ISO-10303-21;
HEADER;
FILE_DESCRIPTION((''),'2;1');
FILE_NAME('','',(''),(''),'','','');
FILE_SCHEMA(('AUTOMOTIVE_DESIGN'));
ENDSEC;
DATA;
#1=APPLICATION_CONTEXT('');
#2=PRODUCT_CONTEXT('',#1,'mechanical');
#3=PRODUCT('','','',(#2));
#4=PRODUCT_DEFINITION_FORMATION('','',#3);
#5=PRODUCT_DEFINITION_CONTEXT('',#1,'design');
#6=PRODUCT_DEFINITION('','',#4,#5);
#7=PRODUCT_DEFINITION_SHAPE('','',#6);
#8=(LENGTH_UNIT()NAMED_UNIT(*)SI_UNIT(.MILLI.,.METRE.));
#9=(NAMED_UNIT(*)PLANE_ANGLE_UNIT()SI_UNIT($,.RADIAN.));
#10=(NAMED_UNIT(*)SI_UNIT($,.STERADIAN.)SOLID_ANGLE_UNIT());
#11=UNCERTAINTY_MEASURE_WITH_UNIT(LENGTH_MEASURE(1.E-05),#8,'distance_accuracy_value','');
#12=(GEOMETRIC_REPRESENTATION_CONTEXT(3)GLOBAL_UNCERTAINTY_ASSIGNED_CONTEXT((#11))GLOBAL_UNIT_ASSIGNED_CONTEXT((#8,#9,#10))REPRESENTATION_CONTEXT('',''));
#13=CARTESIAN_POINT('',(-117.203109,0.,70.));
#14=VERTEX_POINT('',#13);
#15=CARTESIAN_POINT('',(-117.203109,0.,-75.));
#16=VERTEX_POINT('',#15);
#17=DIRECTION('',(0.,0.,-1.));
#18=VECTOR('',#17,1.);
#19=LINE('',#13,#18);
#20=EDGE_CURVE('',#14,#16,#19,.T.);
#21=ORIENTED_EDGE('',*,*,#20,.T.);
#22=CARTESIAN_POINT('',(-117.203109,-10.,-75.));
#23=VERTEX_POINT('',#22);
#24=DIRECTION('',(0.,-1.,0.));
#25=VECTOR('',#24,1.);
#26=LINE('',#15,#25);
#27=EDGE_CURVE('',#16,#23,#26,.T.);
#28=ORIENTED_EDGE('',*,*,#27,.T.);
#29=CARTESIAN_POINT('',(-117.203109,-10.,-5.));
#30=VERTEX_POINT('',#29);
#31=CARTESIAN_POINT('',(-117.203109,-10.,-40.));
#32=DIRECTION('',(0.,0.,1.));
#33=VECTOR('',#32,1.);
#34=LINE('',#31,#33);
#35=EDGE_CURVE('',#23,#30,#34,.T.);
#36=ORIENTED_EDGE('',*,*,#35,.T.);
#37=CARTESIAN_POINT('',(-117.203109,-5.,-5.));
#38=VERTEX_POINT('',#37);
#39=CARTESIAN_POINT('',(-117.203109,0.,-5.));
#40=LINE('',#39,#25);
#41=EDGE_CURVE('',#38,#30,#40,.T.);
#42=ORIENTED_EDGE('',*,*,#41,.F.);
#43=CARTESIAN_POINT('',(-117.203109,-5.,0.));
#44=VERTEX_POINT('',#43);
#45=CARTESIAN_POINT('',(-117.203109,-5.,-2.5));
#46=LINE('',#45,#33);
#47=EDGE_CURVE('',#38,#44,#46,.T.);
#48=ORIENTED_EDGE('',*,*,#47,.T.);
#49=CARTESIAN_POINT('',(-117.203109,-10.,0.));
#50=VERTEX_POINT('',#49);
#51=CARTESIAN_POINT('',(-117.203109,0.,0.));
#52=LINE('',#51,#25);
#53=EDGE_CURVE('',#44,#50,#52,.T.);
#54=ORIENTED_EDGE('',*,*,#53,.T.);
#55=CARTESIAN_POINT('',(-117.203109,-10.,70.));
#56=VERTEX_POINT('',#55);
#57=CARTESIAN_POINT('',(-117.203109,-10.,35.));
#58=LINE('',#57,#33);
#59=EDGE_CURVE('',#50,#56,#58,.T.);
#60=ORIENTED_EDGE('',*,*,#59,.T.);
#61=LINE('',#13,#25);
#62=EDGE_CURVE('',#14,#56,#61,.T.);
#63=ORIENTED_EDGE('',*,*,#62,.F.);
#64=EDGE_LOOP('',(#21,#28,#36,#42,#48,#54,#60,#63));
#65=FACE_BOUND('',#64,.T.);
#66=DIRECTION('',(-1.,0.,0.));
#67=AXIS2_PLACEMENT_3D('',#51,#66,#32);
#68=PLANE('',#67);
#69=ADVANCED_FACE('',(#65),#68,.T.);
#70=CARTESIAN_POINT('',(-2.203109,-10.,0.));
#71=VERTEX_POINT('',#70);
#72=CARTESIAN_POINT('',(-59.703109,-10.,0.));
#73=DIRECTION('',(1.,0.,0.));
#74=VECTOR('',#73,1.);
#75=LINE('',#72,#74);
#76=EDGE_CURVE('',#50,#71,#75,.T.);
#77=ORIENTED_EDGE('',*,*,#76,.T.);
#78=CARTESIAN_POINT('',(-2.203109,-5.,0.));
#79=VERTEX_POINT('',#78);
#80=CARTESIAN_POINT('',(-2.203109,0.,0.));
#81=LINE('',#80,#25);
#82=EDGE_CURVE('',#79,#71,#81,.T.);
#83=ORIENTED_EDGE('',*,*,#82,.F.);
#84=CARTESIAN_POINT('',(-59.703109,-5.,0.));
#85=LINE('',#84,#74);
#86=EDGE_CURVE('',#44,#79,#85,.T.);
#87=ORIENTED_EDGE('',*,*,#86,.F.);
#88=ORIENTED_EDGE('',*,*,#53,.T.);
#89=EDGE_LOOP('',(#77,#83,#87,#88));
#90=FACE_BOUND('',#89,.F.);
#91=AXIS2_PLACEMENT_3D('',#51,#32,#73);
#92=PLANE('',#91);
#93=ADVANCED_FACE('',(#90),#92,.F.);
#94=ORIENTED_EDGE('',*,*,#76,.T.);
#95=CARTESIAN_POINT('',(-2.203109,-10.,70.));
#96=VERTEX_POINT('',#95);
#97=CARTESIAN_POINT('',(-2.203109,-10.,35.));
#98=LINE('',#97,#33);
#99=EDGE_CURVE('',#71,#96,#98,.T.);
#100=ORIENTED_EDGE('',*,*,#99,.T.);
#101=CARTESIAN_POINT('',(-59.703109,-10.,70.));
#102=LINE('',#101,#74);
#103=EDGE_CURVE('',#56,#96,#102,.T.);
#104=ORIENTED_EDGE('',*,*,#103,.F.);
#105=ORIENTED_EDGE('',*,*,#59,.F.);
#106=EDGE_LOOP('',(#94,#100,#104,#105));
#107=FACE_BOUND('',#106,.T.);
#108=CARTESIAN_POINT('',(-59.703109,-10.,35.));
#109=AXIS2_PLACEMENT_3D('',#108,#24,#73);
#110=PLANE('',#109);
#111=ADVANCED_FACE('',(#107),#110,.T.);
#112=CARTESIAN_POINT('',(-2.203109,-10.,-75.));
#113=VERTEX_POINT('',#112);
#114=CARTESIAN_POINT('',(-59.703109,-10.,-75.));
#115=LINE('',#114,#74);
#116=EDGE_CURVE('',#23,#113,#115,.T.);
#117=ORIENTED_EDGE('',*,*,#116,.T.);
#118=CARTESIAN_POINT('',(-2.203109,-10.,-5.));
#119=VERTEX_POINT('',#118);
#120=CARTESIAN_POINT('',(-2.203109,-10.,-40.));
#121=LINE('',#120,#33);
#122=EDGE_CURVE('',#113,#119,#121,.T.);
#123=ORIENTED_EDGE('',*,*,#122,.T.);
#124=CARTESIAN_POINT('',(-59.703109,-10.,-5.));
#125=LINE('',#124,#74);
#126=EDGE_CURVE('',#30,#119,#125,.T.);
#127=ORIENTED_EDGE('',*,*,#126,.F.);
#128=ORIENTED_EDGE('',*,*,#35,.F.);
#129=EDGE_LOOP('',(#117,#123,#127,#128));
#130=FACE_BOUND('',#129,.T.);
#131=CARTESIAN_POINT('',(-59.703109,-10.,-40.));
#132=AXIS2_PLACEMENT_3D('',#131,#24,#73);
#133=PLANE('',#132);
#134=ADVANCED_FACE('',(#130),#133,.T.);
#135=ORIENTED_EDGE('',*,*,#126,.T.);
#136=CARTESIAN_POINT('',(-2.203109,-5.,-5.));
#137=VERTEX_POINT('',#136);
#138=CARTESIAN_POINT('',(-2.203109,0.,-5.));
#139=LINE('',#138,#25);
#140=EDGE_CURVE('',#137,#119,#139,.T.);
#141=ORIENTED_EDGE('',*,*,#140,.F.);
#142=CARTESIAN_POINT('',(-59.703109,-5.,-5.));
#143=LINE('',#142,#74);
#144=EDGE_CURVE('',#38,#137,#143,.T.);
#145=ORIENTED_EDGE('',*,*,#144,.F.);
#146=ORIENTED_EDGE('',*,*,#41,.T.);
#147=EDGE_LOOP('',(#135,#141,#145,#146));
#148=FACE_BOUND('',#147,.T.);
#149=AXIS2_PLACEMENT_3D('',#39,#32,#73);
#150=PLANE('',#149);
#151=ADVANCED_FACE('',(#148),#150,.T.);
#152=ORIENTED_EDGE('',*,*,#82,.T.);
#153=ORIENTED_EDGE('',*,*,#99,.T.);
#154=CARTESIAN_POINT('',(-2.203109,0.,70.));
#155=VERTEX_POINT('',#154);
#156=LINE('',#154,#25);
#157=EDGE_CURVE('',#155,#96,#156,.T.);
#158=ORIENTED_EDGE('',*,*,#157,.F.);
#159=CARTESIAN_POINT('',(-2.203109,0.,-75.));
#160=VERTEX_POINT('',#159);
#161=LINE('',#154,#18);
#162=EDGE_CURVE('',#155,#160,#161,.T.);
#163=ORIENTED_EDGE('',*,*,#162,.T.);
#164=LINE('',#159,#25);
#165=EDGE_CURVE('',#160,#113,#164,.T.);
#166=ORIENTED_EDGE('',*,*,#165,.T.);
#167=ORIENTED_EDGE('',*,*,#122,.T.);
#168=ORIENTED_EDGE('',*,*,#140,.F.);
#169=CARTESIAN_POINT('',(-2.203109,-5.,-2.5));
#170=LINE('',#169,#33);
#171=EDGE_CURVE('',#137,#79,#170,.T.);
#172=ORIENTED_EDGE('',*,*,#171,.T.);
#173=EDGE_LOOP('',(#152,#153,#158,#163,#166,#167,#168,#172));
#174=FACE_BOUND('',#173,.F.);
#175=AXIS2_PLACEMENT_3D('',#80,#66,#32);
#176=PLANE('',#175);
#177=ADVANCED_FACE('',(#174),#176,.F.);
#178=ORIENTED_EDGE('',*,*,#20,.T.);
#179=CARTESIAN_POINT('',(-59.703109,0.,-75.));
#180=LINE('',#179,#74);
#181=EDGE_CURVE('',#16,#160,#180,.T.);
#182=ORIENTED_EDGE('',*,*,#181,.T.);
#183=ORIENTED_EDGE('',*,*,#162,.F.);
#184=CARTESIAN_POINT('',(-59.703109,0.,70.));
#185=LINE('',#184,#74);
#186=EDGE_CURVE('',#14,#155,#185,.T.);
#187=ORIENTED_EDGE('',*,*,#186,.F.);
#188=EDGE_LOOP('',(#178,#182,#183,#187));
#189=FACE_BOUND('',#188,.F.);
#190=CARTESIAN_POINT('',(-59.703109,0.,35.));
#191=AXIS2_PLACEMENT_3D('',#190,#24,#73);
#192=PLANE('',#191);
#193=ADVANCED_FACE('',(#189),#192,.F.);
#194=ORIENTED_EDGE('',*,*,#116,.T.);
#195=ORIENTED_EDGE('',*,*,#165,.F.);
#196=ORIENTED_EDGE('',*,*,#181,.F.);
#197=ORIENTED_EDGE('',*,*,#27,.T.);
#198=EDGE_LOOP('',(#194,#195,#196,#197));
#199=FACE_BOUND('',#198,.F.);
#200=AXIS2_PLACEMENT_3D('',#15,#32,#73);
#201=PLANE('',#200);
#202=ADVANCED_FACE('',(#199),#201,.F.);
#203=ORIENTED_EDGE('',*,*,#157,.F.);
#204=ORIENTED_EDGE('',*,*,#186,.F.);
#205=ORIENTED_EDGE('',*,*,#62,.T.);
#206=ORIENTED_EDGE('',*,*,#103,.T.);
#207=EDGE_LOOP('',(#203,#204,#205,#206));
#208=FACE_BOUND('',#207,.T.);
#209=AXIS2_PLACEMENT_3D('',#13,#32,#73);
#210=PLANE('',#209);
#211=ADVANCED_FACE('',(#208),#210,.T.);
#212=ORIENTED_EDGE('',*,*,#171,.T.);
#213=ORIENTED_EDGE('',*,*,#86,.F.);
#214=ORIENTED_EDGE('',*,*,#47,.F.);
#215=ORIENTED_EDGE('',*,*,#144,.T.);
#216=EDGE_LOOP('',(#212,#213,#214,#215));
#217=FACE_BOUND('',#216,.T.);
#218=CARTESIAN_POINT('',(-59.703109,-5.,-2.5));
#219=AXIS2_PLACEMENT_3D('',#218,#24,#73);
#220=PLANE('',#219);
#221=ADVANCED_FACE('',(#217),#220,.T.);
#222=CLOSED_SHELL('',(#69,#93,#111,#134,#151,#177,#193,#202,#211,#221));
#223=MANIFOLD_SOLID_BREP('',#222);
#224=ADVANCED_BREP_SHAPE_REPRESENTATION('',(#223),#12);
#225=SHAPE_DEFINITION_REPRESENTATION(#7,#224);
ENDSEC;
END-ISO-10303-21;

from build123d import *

# Parameters (mm, degrees)
F0_W     = 115
F0_H     = 5
F1_DEPTH = 5
F0_H_2   = 70
F2_DEPTH = 10


with BuildPart() as f1:
    # F0 (on Front) → F1 (new body)
    with BuildSketch(Plane.XZ):
        with Locations((-59.703109, -2.5)):
            Rectangle(F0_W, F0_H)
    extrude(amount=F1_DEPTH)

    # F0 (on Front) → F2 (join)
    with BuildSketch(Plane.XZ):
        with Locations((-59.703109, 35)):
            Rectangle(F0_W, F0_H_2)
        with Locations((-59.703109, -40)):
            Rectangle(F0_W, F0_H_2)
    extrude(amount=F2_DEPTH)


solid = f1.part
